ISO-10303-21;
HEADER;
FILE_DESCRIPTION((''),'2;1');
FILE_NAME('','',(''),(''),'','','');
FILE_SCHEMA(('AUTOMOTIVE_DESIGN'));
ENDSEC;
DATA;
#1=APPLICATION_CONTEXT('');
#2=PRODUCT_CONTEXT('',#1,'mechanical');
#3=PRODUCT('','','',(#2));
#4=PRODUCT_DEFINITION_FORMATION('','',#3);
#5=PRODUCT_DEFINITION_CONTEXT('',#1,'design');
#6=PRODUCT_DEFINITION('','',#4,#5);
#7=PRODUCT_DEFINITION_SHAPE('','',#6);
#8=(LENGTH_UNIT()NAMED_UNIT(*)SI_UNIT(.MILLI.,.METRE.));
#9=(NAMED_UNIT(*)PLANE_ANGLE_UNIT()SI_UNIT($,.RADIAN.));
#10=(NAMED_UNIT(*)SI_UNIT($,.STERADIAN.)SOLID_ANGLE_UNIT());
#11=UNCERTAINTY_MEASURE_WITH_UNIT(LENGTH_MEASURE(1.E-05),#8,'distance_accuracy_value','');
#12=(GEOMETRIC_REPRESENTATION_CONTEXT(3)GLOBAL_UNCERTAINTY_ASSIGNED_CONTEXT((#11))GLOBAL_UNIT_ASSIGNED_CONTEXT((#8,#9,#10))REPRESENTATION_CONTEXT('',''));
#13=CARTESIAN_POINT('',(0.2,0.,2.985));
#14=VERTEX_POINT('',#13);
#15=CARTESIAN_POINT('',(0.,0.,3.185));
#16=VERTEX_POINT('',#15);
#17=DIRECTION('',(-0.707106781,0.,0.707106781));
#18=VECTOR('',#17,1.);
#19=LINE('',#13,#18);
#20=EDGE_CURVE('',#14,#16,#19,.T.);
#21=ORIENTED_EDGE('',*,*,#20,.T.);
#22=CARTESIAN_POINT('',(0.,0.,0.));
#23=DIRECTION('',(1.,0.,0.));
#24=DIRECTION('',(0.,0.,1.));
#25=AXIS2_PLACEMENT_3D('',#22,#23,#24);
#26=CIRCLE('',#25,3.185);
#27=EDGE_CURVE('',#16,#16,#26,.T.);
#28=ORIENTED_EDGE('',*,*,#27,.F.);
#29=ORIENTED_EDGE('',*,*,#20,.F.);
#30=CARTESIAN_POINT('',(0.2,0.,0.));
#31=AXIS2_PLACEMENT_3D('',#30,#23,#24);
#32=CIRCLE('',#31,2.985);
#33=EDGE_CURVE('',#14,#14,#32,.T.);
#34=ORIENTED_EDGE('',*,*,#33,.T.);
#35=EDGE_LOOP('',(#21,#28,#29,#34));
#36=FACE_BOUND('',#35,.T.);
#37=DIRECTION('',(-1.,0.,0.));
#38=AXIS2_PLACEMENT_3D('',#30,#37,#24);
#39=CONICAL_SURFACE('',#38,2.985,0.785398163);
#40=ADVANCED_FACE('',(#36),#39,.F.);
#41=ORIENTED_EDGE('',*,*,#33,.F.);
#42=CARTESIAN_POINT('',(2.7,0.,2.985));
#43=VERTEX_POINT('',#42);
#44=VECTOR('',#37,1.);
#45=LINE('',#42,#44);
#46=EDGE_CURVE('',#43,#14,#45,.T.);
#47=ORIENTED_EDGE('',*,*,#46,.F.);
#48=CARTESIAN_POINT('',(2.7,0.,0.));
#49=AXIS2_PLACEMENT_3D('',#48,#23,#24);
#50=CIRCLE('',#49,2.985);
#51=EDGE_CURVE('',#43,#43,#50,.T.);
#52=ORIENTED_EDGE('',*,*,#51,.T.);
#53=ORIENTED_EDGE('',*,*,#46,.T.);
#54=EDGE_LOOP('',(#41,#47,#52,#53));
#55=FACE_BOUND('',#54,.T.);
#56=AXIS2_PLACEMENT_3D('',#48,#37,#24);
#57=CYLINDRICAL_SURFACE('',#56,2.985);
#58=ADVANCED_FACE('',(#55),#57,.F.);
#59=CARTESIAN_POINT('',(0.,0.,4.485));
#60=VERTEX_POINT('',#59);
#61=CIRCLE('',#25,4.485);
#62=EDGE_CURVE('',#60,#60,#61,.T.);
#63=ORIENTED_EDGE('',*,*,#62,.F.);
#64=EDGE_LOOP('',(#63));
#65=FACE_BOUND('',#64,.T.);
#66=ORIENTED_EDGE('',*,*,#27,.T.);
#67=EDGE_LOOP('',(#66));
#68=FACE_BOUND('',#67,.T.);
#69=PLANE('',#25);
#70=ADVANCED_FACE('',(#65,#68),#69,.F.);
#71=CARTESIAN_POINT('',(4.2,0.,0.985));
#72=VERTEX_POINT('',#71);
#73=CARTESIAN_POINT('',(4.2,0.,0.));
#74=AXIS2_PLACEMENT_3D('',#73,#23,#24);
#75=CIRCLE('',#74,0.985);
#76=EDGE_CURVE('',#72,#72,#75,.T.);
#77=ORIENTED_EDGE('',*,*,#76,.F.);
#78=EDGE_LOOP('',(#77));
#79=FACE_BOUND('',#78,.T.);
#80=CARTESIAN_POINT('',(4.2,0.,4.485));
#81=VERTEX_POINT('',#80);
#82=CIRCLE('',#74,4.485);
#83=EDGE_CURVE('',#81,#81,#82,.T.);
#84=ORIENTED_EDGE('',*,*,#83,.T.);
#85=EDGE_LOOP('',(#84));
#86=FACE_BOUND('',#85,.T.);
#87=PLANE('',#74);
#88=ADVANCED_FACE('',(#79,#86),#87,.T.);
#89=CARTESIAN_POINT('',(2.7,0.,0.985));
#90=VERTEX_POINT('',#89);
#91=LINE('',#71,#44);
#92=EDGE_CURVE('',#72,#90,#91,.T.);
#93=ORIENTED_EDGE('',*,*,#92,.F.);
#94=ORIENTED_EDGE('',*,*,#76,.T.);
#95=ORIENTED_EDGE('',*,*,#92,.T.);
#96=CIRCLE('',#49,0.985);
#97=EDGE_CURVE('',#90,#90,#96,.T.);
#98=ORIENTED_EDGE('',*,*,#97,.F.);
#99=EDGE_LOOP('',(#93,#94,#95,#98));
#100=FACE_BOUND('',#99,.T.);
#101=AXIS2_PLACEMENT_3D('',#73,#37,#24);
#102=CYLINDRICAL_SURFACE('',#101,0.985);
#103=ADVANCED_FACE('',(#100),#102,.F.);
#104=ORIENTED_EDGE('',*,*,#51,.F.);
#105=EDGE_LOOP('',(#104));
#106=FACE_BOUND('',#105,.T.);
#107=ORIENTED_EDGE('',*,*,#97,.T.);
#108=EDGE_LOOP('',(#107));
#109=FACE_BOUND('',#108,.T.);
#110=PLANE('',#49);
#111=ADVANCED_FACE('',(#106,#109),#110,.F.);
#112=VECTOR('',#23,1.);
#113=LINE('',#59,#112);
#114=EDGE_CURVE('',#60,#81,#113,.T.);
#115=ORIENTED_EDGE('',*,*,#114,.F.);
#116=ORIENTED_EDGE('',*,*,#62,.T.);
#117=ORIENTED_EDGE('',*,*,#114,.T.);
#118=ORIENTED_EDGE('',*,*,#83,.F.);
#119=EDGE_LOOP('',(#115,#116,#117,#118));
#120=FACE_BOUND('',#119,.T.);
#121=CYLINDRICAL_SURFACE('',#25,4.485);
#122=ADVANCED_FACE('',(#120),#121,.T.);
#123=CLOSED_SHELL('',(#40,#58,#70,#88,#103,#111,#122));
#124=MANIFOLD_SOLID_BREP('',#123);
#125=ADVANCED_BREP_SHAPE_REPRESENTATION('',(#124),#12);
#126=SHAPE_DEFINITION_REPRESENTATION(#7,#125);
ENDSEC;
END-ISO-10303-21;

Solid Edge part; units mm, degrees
sketch "Sketch1" plane through (0, 0, 0) normal (0, -1, 0) x (1, 0, 0)
  line L0 (0, 4.485) -> (4.2, 4.485)
  line L1 (4.2, 4.485) -> (4.2, 0.985)
  line L2 (4.2, 0.985) -> (2.7, 0.985)
  line L3 (2.7, 0.985) -> (2.7, 2.985)
  line L4 (2.7, 2.985) -> (0, 2.985)
  line L5 (0, 2.985) -> (0, 4.485)
revolve "RevolvedProtrusion1" add sketch "Sketch1" angle 360 about axis through (0, 0, 0) along (1, 0, 0)
chamfer "Chamfer1" distance 0.2 angle 45 1 edges at (0, 0, -2.985)
